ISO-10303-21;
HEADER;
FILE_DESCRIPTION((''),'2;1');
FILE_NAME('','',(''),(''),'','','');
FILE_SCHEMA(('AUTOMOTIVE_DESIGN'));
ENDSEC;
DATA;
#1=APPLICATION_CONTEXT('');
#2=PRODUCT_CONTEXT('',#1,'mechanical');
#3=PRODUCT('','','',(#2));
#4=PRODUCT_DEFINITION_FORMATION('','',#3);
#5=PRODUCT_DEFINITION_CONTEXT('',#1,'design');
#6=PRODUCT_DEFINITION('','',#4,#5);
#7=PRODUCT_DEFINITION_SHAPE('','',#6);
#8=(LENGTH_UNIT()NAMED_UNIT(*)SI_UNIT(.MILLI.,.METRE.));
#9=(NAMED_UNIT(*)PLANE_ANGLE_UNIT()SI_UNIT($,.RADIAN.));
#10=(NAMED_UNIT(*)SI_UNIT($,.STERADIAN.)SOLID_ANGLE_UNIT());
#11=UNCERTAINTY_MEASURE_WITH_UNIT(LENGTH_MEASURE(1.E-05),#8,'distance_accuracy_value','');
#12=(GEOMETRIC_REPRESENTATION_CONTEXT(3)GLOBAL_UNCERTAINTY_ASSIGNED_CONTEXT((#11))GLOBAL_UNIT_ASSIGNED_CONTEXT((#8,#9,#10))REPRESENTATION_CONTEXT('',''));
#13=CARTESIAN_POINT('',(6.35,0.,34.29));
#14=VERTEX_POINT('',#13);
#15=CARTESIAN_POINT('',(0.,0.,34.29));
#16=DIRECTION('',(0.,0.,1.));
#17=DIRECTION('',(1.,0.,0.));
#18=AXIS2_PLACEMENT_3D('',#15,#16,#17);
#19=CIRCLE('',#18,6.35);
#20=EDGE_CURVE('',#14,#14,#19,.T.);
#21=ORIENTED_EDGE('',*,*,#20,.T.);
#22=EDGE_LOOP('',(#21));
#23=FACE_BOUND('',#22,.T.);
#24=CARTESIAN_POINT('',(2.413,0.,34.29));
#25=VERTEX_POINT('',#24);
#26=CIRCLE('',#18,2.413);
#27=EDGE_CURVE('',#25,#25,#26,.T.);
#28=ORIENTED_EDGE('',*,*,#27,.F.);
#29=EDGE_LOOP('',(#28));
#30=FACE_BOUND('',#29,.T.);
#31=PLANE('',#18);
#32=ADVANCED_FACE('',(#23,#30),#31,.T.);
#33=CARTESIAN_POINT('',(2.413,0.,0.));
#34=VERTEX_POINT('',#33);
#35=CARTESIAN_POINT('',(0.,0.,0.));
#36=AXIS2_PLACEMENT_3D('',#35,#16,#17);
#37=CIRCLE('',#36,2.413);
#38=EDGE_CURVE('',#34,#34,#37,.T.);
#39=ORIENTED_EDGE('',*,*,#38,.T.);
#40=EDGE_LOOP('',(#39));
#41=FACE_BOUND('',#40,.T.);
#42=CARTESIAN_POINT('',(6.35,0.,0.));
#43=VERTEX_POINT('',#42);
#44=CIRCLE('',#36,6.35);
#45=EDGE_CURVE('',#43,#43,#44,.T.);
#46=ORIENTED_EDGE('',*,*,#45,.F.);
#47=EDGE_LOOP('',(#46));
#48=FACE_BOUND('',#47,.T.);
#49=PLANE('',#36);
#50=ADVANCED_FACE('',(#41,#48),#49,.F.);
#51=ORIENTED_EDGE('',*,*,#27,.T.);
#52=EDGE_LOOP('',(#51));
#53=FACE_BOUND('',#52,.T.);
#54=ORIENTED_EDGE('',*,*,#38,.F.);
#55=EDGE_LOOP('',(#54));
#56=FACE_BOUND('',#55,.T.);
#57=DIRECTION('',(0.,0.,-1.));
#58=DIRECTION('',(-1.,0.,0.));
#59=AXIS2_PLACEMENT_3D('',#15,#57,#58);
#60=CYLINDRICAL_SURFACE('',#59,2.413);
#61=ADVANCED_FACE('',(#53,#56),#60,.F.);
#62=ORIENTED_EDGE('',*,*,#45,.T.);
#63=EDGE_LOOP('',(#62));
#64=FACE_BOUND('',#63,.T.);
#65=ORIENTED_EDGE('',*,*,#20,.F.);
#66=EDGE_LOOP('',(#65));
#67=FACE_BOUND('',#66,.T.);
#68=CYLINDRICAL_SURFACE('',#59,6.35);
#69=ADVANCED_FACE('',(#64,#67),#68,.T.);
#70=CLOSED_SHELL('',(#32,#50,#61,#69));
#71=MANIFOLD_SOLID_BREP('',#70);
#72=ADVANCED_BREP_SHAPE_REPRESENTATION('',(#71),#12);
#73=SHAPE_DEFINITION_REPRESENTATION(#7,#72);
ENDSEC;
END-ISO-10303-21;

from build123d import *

# Parameters (mm, degrees)
SKETCH2_R           = 6.35
SKETCH2_R_2         = 2.413
BOSS_EXTRUDE1_DEPTH = 34.29


with BuildPart() as part:
    # Sketch2 → Boss-Extrude1 (new body)
    with BuildSketch(Plane.XY):
        Circle(SKETCH2_R)
        Circle(SKETCH2_R_2, mode=Mode.SUBTRACT)
    extrude(amount=BOSS_EXTRUDE1_DEPTH)


solid = part.part
